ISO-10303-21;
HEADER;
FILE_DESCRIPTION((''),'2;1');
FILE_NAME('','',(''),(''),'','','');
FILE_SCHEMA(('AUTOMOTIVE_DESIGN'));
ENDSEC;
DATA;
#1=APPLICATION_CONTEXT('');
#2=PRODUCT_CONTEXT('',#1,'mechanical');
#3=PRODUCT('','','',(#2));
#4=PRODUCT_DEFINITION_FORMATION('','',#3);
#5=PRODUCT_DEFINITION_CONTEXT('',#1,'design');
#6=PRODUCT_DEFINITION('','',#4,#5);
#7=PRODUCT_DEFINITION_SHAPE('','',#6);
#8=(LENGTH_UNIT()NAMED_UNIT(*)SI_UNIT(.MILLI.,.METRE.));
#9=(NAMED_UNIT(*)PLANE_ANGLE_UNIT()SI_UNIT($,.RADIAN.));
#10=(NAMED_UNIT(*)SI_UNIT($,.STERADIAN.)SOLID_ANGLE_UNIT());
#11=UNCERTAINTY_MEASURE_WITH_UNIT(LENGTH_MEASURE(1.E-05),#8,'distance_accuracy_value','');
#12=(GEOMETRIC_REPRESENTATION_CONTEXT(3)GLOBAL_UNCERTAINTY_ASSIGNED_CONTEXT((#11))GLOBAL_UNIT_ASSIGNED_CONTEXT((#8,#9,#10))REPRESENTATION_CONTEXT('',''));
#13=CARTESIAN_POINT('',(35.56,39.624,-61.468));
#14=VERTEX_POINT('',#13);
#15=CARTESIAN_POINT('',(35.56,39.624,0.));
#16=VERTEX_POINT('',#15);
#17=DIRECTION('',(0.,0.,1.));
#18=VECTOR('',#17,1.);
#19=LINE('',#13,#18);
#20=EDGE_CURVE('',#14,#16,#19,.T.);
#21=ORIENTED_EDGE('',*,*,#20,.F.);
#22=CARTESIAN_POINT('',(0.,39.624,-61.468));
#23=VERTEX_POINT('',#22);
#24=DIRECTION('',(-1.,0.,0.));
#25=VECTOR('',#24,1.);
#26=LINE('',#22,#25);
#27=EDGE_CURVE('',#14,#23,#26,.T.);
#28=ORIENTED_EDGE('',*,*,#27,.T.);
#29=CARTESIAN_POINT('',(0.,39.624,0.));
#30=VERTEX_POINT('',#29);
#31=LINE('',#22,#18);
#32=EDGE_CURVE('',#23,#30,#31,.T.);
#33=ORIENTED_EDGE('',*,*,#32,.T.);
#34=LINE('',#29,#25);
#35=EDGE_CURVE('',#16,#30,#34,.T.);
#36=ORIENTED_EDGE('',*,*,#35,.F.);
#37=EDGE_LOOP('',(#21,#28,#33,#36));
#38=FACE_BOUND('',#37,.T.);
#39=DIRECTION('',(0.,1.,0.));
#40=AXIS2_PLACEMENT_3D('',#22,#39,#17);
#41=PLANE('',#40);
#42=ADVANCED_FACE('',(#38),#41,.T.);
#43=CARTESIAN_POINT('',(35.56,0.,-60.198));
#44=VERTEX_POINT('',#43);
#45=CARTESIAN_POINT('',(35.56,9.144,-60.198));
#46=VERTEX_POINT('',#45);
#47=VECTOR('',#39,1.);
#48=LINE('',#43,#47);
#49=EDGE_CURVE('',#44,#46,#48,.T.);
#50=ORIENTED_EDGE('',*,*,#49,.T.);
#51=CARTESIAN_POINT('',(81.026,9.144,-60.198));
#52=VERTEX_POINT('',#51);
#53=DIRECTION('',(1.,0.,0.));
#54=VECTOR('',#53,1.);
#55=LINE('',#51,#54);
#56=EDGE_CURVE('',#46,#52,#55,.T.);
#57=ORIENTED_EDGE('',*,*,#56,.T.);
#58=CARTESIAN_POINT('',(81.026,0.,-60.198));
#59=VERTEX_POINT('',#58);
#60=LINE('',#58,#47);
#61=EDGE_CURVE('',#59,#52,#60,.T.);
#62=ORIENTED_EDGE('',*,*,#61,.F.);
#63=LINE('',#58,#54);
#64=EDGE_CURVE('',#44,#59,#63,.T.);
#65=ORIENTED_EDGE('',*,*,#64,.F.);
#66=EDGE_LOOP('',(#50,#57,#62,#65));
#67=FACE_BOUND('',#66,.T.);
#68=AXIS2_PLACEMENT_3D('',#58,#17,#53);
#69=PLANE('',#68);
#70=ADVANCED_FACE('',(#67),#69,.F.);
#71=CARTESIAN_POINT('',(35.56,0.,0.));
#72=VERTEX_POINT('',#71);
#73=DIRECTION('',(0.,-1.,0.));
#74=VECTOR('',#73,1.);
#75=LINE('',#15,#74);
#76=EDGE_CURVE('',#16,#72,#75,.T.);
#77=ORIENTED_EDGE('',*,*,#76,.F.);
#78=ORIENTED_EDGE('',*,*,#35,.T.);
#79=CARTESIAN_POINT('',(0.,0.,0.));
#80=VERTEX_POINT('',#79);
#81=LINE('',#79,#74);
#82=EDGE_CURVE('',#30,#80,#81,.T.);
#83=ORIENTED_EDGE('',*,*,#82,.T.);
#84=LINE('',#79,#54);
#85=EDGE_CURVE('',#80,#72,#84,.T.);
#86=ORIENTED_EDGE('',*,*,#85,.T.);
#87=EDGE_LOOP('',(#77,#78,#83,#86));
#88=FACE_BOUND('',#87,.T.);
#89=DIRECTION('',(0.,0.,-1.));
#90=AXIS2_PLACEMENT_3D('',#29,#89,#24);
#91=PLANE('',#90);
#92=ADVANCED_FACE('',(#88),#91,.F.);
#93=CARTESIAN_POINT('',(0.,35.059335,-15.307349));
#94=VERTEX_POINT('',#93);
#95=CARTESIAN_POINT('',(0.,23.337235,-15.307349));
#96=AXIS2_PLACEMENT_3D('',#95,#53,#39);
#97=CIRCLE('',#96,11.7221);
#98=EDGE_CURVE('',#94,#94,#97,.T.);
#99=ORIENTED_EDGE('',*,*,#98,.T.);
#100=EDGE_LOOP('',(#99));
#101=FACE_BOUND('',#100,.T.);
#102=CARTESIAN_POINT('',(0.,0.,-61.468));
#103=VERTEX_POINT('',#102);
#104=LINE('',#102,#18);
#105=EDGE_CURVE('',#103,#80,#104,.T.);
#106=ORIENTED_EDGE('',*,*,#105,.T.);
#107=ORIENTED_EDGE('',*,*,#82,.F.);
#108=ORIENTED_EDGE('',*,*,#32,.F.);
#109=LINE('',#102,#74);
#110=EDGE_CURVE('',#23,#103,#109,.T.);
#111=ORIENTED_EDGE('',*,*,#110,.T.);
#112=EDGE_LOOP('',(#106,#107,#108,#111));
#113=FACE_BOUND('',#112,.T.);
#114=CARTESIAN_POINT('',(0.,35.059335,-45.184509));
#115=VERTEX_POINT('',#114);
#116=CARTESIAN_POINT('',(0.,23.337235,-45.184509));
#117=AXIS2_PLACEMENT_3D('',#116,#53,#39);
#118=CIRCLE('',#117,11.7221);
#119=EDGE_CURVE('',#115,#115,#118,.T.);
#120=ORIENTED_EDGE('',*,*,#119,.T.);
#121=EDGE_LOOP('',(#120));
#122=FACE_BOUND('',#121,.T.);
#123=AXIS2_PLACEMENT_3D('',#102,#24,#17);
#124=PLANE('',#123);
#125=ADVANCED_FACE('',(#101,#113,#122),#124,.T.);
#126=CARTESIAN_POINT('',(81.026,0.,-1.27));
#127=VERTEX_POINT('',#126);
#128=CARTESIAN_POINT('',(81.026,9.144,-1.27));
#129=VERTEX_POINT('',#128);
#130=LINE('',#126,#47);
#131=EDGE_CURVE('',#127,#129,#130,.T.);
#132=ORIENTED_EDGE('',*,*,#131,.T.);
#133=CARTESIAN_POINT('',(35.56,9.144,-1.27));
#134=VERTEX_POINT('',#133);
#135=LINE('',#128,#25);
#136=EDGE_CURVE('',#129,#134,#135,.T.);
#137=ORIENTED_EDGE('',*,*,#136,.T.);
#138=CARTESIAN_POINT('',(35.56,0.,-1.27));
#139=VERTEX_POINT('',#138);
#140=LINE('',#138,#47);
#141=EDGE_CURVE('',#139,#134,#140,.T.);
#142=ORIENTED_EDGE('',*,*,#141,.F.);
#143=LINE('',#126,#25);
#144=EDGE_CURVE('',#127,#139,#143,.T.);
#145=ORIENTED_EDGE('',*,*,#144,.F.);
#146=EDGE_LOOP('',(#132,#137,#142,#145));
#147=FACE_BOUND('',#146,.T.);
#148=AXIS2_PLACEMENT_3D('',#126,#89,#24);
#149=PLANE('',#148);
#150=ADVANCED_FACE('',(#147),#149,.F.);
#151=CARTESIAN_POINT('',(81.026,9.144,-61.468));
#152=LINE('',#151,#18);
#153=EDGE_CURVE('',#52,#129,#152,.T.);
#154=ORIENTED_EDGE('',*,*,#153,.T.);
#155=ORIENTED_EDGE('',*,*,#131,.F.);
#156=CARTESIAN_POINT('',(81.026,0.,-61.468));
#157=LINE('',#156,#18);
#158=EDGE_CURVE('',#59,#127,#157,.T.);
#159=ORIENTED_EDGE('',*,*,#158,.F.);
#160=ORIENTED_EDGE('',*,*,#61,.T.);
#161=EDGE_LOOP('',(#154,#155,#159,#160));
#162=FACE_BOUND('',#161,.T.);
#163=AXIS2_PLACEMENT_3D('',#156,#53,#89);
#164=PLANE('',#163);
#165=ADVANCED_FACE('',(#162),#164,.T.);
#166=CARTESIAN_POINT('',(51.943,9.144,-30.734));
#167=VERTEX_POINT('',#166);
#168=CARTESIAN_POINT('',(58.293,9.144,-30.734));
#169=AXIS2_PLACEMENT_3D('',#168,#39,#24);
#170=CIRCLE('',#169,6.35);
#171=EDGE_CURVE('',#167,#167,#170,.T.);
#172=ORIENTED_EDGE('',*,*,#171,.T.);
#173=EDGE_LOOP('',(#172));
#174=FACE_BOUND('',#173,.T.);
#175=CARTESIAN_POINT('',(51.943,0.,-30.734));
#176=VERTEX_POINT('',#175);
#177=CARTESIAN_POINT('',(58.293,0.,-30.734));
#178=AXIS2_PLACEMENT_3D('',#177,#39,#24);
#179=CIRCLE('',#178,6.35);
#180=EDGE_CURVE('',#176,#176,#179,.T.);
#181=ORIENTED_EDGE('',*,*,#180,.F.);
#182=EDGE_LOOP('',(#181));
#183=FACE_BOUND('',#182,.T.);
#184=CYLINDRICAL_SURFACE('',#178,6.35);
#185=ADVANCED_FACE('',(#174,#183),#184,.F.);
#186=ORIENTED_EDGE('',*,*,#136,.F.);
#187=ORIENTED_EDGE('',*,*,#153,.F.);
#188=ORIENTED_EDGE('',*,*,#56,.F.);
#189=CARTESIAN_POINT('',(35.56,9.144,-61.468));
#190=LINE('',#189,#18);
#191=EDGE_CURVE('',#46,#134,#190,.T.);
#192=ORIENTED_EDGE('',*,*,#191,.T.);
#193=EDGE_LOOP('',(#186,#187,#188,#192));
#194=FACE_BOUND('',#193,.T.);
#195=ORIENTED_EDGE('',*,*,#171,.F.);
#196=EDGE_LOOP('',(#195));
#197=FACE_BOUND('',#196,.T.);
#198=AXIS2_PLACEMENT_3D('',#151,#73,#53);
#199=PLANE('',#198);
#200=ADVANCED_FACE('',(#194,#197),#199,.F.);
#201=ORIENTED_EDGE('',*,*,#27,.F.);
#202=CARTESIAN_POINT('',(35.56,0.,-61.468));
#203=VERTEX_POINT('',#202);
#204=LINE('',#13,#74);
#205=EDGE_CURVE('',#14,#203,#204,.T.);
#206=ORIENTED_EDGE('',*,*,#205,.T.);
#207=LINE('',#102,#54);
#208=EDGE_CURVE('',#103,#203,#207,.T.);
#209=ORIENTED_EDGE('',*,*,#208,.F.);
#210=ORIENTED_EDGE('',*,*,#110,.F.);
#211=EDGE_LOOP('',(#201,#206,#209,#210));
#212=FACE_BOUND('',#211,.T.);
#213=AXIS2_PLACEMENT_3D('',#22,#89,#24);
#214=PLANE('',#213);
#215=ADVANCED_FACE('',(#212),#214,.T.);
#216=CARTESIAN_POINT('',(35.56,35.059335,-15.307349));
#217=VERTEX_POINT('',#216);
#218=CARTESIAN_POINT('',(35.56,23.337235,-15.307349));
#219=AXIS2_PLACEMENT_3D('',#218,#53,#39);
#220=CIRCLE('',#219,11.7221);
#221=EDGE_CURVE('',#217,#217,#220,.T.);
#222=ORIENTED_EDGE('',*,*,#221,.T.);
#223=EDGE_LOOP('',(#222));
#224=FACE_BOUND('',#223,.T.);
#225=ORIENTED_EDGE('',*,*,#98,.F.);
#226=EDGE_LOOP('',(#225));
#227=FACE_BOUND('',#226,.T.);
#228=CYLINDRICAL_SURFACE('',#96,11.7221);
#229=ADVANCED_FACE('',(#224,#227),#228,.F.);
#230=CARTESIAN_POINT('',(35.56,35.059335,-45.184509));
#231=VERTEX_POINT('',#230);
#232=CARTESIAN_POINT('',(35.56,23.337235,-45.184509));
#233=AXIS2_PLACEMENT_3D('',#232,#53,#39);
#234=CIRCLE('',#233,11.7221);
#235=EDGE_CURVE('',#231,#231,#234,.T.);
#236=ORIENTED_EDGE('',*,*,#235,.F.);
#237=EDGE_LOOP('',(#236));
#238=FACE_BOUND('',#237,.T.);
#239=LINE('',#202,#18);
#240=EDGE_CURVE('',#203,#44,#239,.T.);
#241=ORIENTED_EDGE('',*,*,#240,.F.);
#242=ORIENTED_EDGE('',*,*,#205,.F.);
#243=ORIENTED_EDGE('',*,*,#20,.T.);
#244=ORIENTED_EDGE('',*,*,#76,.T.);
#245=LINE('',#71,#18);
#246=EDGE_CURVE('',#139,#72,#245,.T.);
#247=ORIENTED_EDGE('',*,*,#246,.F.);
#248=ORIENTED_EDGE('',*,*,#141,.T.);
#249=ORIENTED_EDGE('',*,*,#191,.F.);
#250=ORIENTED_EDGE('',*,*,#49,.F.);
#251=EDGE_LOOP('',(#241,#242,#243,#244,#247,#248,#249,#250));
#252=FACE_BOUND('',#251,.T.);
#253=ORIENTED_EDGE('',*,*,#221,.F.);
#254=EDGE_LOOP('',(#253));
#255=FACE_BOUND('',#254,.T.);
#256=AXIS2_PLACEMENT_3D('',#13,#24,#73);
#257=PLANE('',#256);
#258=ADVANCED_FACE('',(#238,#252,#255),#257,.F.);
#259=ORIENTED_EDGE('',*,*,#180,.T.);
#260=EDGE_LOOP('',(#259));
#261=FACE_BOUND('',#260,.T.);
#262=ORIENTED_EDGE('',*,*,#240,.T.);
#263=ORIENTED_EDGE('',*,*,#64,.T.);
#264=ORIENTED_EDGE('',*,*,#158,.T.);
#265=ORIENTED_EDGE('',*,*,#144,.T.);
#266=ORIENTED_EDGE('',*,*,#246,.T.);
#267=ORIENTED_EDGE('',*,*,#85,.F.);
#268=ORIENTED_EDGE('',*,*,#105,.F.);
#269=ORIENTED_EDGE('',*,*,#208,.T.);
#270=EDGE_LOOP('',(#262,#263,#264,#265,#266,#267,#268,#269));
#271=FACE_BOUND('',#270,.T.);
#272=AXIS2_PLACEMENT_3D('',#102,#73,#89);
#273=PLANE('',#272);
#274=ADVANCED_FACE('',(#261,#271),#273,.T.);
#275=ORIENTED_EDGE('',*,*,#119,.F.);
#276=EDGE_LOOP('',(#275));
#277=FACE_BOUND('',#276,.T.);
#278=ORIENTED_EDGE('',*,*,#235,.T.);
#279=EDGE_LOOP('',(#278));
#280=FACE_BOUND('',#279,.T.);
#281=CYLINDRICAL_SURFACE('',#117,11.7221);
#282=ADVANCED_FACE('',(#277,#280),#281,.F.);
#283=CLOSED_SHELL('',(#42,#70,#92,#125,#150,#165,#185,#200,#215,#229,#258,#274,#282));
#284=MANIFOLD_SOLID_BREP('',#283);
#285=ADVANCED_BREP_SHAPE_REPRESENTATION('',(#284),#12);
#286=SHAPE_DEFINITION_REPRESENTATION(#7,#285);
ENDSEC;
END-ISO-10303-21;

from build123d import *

# Parameters (mm, degrees)
SKETCH1_W           = 81.026
SKETCH1_H           = 39.624
BOSS_EXTRUDE1_DEPTH = 61.468
SKETCH5_W           = 45.466
SKETCH5_H           = 30.48
CUT_EXTRUDE1_DEPTH  = 62.468
SKETCH6_W           = 45.466
SKETCH6_H           = 1.27
CUT_EXTRUDE2_DEPTH  = 10.144
SKETCH7_R           = 6.35
CUT_EXTRUDE3_DEPTH  = 10.144
SKETCH8_R           = 11.7221
CUT_EXTRUDE4_DEPTH  = 36.56


with BuildPart() as part:
    # Sketch1 → Boss-Extrude1 (new body)
    with BuildSketch(Plane.XY):
        with Locations((40.513, 19.812)):
            Rectangle(SKETCH1_W, SKETCH1_H)
    extrude(amount=-BOSS_EXTRUDE1_DEPTH)

    # Sketch5 → Cut-Extrude1 (cut, through all)
    with BuildSketch(Plane.XY):
        with Locations((58.293, 24.384)):
            Rectangle(SKETCH5_W, SKETCH5_H)
    extrude(amount=-CUT_EXTRUDE1_DEPTH, mode=Mode.SUBTRACT)

    # Sketch6 → Cut-Extrude2 (cut, through all)
    with BuildSketch(Plane(origin=(0, 9.144, 0), x_dir=(1, 0, 0), z_dir=(0, 1, 0))):
        with Locations((58.293, 0.635)):
            Rectangle(SKETCH6_W, SKETCH6_H)
        with Locations((58.293, 60.833)):
            Rectangle(SKETCH6_W, SKETCH6_H)
    extrude(amount=-CUT_EXTRUDE2_DEPTH, mode=Mode.SUBTRACT)

    # Sketch7 → Cut-Extrude3 (cut, through all)
    with BuildSketch(Plane(origin=(0, 9.144, 0), x_dir=(1, 0, 0), z_dir=(0, 1, 0))):
        with Locations((58.293, 30.734)):
            Circle(SKETCH7_R)
    extrude(amount=-CUT_EXTRUDE3_DEPTH, mode=Mode.SUBTRACT)

    # Sketch8 → Cut-Extrude4 (cut, through all)
    with BuildSketch(Plane(origin=(35.56, 0, 0), x_dir=(0, 0, -1), z_dir=(1, 0, 0))):
        with Locations((15.307348572, 23.33723476)):
            Circle(SKETCH8_R)
        with Locations((45.18450858, 23.33723476)):
            Circle(SKETCH8_R)
    extrude(amount=-CUT_EXTRUDE4_DEPTH, mode=Mode.SUBTRACT)


solid = part.part
